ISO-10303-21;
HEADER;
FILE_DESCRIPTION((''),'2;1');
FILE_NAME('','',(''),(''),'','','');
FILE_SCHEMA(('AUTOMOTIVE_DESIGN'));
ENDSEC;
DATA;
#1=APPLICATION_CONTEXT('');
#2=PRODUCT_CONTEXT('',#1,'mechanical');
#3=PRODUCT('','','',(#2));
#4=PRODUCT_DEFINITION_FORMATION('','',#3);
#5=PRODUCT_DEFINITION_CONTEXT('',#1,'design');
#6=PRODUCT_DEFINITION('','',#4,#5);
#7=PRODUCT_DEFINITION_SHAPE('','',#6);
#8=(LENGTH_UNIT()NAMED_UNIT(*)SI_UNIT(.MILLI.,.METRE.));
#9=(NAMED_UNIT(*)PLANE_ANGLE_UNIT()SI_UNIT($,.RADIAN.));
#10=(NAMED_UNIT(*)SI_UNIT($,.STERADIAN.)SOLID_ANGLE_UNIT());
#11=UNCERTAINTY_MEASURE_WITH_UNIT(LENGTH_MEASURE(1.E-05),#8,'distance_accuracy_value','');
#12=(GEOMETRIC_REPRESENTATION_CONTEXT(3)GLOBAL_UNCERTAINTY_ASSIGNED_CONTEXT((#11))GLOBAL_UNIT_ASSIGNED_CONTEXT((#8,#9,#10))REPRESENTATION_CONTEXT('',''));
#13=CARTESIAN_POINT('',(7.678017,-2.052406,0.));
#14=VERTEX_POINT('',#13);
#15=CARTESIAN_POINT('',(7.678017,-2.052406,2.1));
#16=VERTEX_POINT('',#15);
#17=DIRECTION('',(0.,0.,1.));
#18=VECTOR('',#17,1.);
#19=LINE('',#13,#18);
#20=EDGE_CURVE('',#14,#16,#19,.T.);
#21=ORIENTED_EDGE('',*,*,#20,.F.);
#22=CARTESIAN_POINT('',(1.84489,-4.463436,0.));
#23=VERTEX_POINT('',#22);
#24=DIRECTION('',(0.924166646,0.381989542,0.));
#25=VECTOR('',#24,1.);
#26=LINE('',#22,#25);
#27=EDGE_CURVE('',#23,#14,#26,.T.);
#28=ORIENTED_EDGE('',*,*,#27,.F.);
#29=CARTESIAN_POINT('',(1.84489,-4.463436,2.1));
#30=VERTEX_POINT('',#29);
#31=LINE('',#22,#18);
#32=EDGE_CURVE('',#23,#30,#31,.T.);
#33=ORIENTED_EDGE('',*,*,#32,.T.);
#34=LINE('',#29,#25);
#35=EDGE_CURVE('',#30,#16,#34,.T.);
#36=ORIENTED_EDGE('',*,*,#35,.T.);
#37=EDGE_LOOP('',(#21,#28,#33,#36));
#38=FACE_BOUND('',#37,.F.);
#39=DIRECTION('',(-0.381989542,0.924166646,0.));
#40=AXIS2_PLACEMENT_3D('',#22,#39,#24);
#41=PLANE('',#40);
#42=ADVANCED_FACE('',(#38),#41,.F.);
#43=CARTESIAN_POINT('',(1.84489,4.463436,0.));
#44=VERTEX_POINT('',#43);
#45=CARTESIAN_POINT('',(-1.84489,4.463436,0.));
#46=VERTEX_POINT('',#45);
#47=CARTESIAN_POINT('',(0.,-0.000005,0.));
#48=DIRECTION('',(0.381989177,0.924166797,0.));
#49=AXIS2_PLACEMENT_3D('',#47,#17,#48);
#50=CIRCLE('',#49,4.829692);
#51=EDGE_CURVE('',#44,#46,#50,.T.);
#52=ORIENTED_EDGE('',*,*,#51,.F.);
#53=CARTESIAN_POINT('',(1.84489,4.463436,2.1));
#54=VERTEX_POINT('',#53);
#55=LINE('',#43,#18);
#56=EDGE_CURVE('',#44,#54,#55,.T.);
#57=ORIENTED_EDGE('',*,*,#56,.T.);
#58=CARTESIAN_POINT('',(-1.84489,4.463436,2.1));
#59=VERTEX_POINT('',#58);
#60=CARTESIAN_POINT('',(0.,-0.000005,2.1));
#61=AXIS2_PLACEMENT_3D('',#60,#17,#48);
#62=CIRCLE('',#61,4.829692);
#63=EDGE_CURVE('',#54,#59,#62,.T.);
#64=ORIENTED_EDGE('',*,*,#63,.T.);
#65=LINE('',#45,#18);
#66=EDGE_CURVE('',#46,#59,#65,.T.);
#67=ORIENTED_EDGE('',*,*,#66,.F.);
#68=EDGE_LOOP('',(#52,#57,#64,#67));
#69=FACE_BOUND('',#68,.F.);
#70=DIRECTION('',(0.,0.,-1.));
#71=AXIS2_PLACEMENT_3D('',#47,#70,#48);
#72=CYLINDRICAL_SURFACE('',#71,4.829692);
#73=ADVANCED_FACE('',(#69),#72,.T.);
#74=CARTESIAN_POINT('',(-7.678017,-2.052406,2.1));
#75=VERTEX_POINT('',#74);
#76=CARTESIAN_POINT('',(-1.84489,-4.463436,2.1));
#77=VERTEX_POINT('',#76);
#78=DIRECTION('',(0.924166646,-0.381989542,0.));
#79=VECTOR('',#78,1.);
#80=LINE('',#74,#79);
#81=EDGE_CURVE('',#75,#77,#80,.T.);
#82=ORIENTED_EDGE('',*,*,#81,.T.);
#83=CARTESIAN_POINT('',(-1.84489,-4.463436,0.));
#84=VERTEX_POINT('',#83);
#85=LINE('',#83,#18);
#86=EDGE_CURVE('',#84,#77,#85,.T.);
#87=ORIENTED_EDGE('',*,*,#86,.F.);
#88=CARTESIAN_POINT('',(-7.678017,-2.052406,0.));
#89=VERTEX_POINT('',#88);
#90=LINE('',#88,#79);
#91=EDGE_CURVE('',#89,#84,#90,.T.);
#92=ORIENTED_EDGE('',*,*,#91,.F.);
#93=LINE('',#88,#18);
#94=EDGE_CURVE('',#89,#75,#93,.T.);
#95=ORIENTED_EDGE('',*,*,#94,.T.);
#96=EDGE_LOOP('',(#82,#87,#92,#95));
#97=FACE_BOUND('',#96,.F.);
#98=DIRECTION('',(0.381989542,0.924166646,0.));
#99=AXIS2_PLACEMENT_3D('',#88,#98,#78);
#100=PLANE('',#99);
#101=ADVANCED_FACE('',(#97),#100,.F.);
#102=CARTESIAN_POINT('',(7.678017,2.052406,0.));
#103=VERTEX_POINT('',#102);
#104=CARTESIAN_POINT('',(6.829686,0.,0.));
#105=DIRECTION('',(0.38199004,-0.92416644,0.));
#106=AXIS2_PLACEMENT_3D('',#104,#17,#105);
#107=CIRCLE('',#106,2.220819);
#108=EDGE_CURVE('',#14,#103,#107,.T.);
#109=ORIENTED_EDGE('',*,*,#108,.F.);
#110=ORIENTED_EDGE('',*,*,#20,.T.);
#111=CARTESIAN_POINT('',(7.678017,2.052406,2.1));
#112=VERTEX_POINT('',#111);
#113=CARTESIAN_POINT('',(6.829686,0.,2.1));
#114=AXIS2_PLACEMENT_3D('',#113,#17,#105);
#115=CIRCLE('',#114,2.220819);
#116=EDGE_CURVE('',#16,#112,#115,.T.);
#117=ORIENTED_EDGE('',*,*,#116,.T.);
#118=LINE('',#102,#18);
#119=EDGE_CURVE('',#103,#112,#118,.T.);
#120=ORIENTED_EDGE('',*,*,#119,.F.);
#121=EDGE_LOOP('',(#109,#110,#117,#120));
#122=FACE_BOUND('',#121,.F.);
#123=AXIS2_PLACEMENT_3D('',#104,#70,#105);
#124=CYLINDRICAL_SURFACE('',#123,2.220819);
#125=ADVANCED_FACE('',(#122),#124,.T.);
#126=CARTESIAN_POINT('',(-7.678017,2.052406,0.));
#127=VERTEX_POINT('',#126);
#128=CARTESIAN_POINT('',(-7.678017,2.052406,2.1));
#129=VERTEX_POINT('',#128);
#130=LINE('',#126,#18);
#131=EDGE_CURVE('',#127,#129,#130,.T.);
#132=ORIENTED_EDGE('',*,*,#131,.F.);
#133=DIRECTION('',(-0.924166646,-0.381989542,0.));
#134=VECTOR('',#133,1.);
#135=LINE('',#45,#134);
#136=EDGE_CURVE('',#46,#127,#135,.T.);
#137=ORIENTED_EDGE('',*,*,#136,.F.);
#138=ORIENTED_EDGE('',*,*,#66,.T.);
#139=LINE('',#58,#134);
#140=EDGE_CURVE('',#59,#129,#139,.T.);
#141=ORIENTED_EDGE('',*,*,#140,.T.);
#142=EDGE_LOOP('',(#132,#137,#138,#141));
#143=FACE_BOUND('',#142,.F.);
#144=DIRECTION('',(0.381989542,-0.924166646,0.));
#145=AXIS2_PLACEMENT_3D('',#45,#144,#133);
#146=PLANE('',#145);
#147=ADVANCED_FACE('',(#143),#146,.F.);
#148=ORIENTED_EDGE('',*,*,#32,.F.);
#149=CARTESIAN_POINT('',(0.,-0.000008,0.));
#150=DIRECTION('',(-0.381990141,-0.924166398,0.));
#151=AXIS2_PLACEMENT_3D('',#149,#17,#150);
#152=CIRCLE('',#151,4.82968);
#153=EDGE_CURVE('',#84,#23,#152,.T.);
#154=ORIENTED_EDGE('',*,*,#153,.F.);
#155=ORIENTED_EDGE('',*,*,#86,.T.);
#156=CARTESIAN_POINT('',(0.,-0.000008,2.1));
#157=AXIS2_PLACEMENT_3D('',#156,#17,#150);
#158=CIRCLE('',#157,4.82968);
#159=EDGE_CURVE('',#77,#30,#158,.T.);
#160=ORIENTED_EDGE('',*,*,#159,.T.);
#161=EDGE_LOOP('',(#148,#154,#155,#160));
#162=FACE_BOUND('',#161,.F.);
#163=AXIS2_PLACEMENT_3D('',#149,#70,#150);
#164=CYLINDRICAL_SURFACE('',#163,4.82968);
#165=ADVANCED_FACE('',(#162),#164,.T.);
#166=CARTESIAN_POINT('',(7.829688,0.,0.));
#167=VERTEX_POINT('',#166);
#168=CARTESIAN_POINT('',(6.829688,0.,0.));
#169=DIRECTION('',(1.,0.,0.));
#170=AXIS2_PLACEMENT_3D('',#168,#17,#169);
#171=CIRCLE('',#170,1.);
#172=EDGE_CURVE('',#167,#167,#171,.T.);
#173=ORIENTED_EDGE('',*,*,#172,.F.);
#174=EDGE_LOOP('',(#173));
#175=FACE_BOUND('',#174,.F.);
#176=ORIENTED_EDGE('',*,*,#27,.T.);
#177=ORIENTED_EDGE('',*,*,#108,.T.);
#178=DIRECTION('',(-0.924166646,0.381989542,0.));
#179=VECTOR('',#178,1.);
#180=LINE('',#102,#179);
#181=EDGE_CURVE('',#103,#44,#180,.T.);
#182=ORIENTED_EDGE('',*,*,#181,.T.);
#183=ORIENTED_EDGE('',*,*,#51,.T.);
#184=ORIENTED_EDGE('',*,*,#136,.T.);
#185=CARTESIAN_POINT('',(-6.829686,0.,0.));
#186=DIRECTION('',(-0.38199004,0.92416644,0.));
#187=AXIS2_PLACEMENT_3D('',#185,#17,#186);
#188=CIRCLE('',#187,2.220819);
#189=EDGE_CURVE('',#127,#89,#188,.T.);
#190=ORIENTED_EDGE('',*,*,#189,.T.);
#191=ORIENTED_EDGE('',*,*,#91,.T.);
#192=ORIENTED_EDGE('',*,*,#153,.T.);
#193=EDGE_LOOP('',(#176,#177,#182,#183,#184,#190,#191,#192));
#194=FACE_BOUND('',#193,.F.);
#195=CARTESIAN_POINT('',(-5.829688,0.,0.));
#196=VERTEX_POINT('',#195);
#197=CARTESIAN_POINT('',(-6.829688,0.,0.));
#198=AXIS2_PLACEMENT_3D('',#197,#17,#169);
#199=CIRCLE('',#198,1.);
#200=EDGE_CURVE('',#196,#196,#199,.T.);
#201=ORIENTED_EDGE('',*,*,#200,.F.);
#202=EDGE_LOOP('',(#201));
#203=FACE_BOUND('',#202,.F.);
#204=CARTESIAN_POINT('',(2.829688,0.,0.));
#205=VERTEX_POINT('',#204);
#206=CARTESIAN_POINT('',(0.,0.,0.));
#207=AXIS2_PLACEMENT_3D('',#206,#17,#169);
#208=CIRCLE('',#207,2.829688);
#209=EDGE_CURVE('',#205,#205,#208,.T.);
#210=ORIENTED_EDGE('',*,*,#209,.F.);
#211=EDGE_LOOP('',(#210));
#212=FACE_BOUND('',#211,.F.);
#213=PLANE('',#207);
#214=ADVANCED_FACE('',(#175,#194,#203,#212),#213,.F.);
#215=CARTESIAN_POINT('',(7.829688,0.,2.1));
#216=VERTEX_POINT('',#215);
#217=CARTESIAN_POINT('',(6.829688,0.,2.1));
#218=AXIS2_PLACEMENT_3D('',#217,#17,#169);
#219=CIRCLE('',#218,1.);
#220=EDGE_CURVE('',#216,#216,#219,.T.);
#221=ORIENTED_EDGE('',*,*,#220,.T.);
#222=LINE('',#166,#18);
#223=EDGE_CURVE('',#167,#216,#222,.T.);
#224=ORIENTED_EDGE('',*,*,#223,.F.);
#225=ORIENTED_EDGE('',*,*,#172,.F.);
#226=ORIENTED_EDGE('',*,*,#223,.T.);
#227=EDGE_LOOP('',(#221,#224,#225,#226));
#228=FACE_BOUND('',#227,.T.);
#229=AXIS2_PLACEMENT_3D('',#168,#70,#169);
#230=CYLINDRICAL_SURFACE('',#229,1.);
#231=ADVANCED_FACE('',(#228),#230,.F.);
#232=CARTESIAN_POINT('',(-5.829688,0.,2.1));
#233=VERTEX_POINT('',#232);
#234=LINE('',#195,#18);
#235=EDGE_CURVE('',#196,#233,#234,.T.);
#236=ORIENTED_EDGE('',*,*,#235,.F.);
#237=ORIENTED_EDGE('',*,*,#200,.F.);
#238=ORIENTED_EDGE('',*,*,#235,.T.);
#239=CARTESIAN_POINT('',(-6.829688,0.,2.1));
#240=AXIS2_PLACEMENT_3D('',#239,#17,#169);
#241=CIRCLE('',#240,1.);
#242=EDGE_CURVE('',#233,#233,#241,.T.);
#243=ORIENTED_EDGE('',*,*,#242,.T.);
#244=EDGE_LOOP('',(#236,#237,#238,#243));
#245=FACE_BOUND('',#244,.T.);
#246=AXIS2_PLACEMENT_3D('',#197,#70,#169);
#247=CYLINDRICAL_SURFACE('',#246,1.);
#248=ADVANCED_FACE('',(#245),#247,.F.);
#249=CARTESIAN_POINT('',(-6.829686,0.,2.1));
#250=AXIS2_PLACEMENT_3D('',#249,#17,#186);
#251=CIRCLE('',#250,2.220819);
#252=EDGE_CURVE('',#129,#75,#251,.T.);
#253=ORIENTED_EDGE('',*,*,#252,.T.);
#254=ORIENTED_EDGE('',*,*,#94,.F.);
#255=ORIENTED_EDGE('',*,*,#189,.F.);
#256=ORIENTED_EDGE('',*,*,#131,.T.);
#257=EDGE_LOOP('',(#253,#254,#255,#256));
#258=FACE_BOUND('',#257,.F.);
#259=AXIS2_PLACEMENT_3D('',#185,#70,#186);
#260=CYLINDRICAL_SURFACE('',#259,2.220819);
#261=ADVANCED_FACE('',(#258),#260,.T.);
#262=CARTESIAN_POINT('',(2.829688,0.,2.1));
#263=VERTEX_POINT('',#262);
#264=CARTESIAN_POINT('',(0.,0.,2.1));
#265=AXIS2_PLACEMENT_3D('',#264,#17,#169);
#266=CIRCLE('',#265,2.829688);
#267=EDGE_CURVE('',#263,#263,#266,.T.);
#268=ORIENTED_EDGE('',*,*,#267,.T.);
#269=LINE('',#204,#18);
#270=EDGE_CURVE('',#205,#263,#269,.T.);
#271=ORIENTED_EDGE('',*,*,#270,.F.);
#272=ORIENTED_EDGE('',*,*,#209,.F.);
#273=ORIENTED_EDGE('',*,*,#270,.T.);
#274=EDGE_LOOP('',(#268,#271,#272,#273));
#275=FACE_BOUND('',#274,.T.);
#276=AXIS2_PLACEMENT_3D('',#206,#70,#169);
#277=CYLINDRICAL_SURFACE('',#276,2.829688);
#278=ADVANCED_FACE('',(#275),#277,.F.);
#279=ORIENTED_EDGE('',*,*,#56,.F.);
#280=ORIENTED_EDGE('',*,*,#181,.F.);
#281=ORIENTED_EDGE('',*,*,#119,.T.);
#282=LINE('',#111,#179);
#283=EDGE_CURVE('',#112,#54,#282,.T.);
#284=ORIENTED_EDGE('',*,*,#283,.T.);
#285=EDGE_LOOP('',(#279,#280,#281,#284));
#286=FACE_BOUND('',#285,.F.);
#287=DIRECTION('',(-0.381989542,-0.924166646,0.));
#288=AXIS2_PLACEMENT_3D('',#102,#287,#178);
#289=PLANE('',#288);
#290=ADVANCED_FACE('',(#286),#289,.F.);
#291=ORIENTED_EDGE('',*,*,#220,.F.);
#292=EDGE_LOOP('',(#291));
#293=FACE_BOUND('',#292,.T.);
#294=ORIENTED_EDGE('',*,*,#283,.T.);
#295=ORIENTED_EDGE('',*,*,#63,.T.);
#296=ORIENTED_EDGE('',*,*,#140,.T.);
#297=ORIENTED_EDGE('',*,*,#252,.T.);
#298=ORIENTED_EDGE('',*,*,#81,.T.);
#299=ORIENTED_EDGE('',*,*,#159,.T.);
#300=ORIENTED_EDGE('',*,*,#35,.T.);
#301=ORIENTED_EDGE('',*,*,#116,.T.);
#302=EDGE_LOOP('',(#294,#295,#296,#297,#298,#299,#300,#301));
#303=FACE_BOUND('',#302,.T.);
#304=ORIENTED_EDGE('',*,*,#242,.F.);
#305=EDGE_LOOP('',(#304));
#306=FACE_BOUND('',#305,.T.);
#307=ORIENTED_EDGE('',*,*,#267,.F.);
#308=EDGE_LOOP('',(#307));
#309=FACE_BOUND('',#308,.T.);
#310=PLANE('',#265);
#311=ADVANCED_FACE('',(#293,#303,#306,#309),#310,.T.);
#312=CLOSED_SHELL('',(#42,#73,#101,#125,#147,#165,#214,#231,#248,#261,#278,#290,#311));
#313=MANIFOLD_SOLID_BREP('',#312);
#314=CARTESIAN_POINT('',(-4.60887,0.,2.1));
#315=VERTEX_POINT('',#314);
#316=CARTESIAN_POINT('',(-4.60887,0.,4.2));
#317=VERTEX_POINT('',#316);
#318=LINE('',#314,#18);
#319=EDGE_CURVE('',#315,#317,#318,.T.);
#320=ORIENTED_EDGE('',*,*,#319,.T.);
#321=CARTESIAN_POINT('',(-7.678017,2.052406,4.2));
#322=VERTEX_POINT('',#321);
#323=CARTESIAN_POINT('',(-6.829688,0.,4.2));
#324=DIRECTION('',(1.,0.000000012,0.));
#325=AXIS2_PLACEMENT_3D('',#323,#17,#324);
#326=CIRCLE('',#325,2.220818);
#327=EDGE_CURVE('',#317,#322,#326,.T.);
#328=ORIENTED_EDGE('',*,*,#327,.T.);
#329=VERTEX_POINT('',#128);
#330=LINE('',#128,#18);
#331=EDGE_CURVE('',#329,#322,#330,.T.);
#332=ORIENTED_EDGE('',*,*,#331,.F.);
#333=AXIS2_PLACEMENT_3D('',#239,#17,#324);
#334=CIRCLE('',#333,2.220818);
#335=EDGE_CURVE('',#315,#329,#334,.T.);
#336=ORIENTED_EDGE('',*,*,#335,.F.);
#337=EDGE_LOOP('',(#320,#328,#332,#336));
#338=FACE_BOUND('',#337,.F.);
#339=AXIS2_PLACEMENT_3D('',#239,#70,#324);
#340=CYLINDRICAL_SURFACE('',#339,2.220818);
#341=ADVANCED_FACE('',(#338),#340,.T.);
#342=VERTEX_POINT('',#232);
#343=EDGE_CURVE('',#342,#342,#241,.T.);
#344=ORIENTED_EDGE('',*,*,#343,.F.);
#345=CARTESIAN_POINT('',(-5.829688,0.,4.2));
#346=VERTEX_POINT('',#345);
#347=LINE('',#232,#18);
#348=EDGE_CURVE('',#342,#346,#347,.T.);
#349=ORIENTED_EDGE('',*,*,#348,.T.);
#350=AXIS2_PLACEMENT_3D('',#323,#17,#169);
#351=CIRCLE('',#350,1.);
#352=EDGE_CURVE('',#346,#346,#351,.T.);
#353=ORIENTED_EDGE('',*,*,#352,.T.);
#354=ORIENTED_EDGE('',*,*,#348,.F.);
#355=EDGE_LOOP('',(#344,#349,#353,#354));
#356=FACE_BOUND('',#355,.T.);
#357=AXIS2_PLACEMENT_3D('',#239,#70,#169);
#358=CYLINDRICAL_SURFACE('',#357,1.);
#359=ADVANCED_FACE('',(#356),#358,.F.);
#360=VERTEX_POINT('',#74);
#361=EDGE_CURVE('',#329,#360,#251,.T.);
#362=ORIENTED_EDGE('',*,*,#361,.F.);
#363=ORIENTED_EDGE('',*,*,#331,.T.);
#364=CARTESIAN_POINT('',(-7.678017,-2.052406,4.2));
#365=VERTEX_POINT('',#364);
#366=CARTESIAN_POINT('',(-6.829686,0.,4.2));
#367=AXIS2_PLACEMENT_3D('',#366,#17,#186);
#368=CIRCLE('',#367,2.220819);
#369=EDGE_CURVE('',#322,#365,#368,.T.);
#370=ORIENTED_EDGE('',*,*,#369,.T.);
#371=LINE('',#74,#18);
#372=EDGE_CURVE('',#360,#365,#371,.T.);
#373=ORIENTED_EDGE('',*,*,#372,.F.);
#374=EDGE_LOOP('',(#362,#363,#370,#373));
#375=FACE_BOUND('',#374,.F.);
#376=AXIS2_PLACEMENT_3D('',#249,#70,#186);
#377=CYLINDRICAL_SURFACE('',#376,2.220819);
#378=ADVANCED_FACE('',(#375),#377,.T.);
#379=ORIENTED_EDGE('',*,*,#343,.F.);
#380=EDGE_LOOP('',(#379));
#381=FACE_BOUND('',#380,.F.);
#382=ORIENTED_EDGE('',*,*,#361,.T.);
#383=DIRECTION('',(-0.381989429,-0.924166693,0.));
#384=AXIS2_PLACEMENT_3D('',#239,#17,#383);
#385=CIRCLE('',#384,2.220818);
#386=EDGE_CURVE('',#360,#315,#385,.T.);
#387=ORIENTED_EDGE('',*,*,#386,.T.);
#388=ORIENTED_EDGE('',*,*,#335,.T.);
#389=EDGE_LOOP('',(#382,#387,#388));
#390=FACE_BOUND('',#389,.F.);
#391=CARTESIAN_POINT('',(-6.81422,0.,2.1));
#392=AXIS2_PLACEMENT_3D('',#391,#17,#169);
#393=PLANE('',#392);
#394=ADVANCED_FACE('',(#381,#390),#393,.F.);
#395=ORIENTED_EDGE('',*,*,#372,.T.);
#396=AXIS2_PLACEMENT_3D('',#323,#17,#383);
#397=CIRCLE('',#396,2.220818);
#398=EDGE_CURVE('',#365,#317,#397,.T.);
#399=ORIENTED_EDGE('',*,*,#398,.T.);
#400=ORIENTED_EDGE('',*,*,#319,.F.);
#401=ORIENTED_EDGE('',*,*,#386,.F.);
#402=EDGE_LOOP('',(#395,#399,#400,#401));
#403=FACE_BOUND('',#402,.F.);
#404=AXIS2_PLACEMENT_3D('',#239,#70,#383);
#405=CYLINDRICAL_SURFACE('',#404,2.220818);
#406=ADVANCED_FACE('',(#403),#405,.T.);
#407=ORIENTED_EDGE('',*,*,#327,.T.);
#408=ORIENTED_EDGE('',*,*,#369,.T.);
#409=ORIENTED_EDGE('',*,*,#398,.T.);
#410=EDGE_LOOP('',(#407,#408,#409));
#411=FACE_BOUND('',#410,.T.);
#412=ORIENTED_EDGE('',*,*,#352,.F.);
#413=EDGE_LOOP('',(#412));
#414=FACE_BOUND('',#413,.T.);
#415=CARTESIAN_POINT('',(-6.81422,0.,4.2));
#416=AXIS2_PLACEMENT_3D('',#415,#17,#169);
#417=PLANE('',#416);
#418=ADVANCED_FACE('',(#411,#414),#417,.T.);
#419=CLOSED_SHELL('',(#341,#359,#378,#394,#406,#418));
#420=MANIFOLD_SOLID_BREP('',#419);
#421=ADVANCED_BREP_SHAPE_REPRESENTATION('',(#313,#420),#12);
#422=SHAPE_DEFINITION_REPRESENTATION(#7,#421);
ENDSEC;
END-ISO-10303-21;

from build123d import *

# Parameters (mm, degrees)
F0_R     = 1
F0_R_2   = 2.829688
F1_DEPTH = 2.1
F2_R     = 1
F3_DEPTH = 2.1


with BuildPart() as f1:
    # F0 (on Top) → F1 (new body)
    with BuildSketch(Plane.XY):
        with BuildLine():
            Line((-1.84489, 4.463436), (-7.678017, 2.052406))
            ThreePointArc((-7.678017, 2.052406), (-9.050505, 0), (-7.678017, -2.052406))
            Line((-7.678017, -2.052406), (-1.84489, -4.463436))
            ThreePointArc((-1.84489, -4.463436), (0, -4.829688), (1.84489, -4.463436))
            Line((1.84489, -4.463436), (7.678017, -2.052406))
            ThreePointArc((7.678017, -2.052406), (9.050505, 0), (7.678017, 2.052406))
            Line((7.678017, 2.052406), (1.84489, 4.463436))
            ThreePointArc((1.84489, 4.463436), (0, 4.829687), (-1.84489, 4.463436))
        make_face()
        with Locations((-6.829688, 0)):
            Circle(F0_R, mode=Mode.SUBTRACT)
        Circle(F0_R_2, mode=Mode.SUBTRACT)
        with Locations((6.829688, 0)):
            Circle(F0_R, mode=Mode.SUBTRACT)
    extrude(amount=F1_DEPTH)


with BuildPart() as f3:
    # F2 (on face) → F3 (new body)
    with BuildSketch(Plane.XY.offset(2.1)):
        with BuildLine():
            ThreePointArc((-7.678017, -2.052406), (-5.595174, -1.846079), (-4.60887, 0))
            ThreePointArc((-4.60887, 0), (-5.595174, 1.846079), (-7.678017, 2.052406))
            ThreePointArc((-7.678017, 2.052406), (-9.050505, 0), (-7.678017, -2.052406))
        make_face()
        with Locations((-6.829688, 0)):
            Circle(F2_R, mode=Mode.SUBTRACT)
    extrude(amount=F3_DEPTH)


solid = Compound([f1.part, f3.part])
